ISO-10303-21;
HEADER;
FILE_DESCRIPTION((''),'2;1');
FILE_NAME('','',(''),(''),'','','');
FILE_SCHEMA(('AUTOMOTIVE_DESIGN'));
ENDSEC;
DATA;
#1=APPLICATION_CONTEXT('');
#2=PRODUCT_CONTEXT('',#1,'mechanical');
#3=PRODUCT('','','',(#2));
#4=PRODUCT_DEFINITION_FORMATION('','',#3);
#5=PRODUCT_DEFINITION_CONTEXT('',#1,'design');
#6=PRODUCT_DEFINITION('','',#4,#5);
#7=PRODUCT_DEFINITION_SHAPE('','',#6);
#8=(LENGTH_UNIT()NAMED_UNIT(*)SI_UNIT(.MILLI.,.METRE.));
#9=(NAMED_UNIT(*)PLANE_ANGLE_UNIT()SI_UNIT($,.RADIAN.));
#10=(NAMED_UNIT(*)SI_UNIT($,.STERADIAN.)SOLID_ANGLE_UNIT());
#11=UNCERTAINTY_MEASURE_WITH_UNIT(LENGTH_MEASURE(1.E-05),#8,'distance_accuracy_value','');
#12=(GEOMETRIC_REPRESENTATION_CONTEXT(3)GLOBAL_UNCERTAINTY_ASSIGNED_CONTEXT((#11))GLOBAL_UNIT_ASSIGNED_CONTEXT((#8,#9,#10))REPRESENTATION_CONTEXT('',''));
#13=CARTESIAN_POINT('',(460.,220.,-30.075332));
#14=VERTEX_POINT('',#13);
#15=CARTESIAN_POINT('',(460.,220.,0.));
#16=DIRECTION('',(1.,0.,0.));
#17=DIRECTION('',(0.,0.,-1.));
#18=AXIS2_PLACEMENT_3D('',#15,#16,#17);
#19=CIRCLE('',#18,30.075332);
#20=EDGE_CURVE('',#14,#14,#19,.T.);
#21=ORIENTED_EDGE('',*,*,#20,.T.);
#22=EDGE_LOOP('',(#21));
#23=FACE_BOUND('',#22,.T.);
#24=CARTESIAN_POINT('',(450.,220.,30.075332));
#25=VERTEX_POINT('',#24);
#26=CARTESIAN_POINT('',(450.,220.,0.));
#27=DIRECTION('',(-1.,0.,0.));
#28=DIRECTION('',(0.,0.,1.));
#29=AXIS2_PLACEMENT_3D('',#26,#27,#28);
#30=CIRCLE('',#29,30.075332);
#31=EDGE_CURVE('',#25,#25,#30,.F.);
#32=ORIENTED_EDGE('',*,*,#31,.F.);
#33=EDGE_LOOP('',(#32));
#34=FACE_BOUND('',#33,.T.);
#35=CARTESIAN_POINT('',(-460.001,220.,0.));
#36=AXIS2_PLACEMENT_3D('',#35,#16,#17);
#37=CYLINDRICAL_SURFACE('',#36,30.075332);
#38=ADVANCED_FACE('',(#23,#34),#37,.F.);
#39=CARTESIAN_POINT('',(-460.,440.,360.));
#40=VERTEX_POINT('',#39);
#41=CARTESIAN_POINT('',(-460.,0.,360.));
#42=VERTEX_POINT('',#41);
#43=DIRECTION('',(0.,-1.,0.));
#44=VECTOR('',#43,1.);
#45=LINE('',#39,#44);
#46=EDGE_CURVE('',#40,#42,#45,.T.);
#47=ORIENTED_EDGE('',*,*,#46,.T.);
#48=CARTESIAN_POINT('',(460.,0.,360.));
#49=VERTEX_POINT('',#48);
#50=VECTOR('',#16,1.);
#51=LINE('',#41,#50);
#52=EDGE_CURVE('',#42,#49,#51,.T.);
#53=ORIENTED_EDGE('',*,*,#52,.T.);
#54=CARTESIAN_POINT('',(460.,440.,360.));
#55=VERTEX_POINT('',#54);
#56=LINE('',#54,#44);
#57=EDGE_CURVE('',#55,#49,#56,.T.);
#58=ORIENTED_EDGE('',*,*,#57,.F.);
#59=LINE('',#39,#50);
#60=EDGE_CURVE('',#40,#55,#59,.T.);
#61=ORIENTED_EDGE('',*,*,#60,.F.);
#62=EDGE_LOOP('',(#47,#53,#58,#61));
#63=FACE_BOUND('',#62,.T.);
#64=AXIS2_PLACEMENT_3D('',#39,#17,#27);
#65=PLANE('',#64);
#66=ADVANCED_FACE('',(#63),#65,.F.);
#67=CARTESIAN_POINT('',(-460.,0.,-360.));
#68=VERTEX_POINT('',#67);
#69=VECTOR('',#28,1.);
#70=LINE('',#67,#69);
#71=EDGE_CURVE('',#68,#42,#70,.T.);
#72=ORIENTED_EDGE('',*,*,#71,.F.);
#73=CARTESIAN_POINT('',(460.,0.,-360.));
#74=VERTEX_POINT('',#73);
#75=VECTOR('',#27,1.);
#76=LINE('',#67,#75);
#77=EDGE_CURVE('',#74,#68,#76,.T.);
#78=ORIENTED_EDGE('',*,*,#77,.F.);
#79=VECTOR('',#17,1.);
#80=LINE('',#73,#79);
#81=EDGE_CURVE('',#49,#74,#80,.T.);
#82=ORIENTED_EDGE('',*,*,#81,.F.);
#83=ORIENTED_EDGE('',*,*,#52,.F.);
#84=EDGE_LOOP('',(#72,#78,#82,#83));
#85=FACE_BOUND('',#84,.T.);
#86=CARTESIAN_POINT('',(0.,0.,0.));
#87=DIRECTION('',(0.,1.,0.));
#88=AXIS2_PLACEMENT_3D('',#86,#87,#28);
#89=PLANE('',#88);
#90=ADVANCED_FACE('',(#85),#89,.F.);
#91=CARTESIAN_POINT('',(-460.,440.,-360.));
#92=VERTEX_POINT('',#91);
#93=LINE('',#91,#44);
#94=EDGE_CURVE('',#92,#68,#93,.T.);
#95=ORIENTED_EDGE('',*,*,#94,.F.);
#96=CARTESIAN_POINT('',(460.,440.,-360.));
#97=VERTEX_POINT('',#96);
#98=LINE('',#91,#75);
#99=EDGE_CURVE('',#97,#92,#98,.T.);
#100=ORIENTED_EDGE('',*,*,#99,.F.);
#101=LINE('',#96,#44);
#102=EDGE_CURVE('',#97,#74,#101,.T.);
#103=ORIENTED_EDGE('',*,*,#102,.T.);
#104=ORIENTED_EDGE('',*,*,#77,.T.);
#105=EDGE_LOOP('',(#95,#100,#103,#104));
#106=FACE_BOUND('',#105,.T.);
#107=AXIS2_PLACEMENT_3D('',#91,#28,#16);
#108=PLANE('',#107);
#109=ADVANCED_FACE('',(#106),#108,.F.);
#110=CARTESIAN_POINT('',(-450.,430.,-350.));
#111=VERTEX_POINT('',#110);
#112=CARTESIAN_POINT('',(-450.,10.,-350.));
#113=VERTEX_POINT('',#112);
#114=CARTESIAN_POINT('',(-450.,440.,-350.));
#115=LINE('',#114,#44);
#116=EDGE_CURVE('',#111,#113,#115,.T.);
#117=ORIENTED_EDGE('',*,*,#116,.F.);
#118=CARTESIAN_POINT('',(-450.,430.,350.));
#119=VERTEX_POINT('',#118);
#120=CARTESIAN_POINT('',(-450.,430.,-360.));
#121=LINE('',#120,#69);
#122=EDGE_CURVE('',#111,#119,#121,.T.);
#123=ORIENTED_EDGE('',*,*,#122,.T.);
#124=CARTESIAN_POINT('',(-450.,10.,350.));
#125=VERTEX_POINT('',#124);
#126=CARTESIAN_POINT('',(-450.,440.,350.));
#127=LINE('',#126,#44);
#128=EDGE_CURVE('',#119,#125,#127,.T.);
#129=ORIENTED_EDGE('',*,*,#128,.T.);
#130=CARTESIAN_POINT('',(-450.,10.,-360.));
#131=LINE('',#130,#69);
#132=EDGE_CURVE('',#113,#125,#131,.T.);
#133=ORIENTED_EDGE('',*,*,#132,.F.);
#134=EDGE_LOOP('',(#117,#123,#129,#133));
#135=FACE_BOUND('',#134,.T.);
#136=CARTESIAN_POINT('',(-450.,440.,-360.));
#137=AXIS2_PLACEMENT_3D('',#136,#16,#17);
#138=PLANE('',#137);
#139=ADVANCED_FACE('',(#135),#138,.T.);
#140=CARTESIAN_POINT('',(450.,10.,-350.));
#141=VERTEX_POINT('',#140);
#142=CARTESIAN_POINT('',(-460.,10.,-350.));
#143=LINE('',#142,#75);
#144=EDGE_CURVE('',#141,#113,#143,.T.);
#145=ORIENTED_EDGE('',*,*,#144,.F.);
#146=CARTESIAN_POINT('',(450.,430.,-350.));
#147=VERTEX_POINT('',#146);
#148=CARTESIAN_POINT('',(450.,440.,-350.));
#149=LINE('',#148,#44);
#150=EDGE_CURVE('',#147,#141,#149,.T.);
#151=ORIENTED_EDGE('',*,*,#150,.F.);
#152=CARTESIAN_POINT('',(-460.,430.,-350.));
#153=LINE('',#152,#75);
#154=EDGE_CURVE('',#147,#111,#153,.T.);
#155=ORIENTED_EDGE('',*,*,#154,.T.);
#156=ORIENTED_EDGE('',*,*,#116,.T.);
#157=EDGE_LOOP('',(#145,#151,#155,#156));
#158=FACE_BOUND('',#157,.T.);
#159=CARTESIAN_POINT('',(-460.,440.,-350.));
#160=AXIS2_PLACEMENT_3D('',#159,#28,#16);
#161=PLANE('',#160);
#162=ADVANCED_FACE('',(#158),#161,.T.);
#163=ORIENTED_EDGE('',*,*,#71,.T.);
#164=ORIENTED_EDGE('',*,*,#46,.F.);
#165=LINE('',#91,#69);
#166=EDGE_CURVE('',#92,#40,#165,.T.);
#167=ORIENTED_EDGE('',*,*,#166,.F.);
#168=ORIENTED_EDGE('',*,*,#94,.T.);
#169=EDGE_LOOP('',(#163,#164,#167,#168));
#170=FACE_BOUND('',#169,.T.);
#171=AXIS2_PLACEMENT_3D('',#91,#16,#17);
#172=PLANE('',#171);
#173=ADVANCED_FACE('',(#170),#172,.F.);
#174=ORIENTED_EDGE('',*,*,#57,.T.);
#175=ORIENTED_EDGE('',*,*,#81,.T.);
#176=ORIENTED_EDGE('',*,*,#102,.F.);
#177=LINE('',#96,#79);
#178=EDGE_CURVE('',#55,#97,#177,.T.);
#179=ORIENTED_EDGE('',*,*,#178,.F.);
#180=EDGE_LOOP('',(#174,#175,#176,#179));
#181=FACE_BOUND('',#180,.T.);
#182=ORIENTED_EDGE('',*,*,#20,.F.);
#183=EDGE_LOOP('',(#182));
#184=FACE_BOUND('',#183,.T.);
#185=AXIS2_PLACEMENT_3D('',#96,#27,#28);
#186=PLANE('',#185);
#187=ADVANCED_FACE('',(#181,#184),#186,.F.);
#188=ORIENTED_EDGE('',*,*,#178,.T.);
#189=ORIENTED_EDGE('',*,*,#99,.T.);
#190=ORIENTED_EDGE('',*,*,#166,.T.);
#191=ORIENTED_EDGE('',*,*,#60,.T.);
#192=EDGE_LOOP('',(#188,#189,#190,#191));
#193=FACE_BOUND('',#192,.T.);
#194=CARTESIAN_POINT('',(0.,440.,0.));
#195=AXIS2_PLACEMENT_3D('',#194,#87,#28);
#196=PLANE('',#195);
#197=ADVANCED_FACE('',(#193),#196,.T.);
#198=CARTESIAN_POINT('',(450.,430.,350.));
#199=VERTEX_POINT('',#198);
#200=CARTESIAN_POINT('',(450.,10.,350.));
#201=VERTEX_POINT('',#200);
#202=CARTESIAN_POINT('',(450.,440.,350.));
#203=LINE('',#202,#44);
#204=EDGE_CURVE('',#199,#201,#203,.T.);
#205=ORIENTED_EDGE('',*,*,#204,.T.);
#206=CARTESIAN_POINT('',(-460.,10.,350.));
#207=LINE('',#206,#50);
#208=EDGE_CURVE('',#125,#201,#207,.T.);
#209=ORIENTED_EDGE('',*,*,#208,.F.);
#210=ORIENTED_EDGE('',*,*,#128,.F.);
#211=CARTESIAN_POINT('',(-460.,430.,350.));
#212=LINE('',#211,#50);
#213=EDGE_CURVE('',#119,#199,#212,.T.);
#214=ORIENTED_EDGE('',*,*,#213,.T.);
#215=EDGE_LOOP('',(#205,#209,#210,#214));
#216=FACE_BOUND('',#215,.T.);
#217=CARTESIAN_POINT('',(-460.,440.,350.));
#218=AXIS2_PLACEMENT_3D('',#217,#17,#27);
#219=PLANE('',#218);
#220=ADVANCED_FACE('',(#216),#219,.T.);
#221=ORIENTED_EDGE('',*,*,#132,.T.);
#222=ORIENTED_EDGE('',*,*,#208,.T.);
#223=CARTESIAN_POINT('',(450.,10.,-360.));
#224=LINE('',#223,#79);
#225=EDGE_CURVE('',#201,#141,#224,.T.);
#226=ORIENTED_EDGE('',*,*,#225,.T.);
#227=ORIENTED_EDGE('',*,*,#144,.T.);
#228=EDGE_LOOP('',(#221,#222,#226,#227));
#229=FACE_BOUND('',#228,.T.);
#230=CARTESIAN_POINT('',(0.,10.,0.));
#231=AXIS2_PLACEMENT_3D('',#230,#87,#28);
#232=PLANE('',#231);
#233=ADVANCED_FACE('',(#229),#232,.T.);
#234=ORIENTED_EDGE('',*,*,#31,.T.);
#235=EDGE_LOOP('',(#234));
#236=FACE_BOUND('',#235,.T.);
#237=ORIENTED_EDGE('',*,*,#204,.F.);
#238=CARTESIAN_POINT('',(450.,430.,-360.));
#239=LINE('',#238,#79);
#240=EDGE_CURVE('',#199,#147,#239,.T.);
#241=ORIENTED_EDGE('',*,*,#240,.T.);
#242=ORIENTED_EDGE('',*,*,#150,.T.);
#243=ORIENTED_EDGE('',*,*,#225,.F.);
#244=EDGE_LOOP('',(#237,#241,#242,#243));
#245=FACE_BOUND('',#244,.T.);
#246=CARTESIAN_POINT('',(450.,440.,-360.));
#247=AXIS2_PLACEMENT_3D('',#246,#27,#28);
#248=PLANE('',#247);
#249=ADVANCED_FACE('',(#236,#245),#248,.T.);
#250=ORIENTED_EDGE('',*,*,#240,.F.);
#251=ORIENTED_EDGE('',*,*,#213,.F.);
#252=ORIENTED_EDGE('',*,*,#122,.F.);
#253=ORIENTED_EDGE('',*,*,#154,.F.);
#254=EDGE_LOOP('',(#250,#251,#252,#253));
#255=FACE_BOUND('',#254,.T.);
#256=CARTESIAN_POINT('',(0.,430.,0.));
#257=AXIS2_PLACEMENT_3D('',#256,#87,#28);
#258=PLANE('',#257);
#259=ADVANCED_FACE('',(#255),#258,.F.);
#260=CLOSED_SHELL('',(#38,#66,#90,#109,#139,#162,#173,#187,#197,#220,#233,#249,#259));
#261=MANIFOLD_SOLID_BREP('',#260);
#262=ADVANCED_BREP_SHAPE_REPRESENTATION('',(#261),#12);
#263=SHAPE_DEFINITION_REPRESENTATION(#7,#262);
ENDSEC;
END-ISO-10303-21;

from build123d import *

# Parameters (mm, degrees)
SKETCH1_W           = 920
SKETCH1_H           = 720
BOSS_EXTRUDE1_DEPTH = 440
SHELL1_T            = 10
CUT_EXTRUDE1_REACH  = 922
SKETCH2_R           = 30.075332342


with BuildPart() as part:
    # Sketch1 → Boss-Extrude1 (new body)
    with BuildSketch(Plane(origin=(0, 0, 0), x_dir=(1, 0, 0), z_dir=(0, 1, 0))):
        Rectangle(SKETCH1_W, SKETCH1_H)
    extrude(amount=BOSS_EXTRUDE1_DEPTH)

    # Shell1 (no face opened: a closed hollow body)
    add(offset(amount=-SHELL1_T, mode=Mode.PRIVATE), mode=Mode.SUBTRACT)

    # Sketch2 → Cut-Extrude1 (cut, up to next)
    with BuildSketch(Plane(origin=(460, 0, 0), x_dir=(0, 0, -1), z_dir=(1, 0, 0)), mode=Mode.PRIVATE) as cut_extrude1_sk1:
        with Locations((0, 220)):
            Circle(SKETCH2_R)
    cut_extrude1_tool1 = extrude(cut_extrude1_sk1.sketch, amount=-CUT_EXTRUDE1_REACH, mode=Mode.PRIVATE) & part.part
    add(cut_extrude1_tool1.solids().sort_by_distance((460, 220, 0))[0], mode=Mode.SUBTRACT)


solid = part.part
